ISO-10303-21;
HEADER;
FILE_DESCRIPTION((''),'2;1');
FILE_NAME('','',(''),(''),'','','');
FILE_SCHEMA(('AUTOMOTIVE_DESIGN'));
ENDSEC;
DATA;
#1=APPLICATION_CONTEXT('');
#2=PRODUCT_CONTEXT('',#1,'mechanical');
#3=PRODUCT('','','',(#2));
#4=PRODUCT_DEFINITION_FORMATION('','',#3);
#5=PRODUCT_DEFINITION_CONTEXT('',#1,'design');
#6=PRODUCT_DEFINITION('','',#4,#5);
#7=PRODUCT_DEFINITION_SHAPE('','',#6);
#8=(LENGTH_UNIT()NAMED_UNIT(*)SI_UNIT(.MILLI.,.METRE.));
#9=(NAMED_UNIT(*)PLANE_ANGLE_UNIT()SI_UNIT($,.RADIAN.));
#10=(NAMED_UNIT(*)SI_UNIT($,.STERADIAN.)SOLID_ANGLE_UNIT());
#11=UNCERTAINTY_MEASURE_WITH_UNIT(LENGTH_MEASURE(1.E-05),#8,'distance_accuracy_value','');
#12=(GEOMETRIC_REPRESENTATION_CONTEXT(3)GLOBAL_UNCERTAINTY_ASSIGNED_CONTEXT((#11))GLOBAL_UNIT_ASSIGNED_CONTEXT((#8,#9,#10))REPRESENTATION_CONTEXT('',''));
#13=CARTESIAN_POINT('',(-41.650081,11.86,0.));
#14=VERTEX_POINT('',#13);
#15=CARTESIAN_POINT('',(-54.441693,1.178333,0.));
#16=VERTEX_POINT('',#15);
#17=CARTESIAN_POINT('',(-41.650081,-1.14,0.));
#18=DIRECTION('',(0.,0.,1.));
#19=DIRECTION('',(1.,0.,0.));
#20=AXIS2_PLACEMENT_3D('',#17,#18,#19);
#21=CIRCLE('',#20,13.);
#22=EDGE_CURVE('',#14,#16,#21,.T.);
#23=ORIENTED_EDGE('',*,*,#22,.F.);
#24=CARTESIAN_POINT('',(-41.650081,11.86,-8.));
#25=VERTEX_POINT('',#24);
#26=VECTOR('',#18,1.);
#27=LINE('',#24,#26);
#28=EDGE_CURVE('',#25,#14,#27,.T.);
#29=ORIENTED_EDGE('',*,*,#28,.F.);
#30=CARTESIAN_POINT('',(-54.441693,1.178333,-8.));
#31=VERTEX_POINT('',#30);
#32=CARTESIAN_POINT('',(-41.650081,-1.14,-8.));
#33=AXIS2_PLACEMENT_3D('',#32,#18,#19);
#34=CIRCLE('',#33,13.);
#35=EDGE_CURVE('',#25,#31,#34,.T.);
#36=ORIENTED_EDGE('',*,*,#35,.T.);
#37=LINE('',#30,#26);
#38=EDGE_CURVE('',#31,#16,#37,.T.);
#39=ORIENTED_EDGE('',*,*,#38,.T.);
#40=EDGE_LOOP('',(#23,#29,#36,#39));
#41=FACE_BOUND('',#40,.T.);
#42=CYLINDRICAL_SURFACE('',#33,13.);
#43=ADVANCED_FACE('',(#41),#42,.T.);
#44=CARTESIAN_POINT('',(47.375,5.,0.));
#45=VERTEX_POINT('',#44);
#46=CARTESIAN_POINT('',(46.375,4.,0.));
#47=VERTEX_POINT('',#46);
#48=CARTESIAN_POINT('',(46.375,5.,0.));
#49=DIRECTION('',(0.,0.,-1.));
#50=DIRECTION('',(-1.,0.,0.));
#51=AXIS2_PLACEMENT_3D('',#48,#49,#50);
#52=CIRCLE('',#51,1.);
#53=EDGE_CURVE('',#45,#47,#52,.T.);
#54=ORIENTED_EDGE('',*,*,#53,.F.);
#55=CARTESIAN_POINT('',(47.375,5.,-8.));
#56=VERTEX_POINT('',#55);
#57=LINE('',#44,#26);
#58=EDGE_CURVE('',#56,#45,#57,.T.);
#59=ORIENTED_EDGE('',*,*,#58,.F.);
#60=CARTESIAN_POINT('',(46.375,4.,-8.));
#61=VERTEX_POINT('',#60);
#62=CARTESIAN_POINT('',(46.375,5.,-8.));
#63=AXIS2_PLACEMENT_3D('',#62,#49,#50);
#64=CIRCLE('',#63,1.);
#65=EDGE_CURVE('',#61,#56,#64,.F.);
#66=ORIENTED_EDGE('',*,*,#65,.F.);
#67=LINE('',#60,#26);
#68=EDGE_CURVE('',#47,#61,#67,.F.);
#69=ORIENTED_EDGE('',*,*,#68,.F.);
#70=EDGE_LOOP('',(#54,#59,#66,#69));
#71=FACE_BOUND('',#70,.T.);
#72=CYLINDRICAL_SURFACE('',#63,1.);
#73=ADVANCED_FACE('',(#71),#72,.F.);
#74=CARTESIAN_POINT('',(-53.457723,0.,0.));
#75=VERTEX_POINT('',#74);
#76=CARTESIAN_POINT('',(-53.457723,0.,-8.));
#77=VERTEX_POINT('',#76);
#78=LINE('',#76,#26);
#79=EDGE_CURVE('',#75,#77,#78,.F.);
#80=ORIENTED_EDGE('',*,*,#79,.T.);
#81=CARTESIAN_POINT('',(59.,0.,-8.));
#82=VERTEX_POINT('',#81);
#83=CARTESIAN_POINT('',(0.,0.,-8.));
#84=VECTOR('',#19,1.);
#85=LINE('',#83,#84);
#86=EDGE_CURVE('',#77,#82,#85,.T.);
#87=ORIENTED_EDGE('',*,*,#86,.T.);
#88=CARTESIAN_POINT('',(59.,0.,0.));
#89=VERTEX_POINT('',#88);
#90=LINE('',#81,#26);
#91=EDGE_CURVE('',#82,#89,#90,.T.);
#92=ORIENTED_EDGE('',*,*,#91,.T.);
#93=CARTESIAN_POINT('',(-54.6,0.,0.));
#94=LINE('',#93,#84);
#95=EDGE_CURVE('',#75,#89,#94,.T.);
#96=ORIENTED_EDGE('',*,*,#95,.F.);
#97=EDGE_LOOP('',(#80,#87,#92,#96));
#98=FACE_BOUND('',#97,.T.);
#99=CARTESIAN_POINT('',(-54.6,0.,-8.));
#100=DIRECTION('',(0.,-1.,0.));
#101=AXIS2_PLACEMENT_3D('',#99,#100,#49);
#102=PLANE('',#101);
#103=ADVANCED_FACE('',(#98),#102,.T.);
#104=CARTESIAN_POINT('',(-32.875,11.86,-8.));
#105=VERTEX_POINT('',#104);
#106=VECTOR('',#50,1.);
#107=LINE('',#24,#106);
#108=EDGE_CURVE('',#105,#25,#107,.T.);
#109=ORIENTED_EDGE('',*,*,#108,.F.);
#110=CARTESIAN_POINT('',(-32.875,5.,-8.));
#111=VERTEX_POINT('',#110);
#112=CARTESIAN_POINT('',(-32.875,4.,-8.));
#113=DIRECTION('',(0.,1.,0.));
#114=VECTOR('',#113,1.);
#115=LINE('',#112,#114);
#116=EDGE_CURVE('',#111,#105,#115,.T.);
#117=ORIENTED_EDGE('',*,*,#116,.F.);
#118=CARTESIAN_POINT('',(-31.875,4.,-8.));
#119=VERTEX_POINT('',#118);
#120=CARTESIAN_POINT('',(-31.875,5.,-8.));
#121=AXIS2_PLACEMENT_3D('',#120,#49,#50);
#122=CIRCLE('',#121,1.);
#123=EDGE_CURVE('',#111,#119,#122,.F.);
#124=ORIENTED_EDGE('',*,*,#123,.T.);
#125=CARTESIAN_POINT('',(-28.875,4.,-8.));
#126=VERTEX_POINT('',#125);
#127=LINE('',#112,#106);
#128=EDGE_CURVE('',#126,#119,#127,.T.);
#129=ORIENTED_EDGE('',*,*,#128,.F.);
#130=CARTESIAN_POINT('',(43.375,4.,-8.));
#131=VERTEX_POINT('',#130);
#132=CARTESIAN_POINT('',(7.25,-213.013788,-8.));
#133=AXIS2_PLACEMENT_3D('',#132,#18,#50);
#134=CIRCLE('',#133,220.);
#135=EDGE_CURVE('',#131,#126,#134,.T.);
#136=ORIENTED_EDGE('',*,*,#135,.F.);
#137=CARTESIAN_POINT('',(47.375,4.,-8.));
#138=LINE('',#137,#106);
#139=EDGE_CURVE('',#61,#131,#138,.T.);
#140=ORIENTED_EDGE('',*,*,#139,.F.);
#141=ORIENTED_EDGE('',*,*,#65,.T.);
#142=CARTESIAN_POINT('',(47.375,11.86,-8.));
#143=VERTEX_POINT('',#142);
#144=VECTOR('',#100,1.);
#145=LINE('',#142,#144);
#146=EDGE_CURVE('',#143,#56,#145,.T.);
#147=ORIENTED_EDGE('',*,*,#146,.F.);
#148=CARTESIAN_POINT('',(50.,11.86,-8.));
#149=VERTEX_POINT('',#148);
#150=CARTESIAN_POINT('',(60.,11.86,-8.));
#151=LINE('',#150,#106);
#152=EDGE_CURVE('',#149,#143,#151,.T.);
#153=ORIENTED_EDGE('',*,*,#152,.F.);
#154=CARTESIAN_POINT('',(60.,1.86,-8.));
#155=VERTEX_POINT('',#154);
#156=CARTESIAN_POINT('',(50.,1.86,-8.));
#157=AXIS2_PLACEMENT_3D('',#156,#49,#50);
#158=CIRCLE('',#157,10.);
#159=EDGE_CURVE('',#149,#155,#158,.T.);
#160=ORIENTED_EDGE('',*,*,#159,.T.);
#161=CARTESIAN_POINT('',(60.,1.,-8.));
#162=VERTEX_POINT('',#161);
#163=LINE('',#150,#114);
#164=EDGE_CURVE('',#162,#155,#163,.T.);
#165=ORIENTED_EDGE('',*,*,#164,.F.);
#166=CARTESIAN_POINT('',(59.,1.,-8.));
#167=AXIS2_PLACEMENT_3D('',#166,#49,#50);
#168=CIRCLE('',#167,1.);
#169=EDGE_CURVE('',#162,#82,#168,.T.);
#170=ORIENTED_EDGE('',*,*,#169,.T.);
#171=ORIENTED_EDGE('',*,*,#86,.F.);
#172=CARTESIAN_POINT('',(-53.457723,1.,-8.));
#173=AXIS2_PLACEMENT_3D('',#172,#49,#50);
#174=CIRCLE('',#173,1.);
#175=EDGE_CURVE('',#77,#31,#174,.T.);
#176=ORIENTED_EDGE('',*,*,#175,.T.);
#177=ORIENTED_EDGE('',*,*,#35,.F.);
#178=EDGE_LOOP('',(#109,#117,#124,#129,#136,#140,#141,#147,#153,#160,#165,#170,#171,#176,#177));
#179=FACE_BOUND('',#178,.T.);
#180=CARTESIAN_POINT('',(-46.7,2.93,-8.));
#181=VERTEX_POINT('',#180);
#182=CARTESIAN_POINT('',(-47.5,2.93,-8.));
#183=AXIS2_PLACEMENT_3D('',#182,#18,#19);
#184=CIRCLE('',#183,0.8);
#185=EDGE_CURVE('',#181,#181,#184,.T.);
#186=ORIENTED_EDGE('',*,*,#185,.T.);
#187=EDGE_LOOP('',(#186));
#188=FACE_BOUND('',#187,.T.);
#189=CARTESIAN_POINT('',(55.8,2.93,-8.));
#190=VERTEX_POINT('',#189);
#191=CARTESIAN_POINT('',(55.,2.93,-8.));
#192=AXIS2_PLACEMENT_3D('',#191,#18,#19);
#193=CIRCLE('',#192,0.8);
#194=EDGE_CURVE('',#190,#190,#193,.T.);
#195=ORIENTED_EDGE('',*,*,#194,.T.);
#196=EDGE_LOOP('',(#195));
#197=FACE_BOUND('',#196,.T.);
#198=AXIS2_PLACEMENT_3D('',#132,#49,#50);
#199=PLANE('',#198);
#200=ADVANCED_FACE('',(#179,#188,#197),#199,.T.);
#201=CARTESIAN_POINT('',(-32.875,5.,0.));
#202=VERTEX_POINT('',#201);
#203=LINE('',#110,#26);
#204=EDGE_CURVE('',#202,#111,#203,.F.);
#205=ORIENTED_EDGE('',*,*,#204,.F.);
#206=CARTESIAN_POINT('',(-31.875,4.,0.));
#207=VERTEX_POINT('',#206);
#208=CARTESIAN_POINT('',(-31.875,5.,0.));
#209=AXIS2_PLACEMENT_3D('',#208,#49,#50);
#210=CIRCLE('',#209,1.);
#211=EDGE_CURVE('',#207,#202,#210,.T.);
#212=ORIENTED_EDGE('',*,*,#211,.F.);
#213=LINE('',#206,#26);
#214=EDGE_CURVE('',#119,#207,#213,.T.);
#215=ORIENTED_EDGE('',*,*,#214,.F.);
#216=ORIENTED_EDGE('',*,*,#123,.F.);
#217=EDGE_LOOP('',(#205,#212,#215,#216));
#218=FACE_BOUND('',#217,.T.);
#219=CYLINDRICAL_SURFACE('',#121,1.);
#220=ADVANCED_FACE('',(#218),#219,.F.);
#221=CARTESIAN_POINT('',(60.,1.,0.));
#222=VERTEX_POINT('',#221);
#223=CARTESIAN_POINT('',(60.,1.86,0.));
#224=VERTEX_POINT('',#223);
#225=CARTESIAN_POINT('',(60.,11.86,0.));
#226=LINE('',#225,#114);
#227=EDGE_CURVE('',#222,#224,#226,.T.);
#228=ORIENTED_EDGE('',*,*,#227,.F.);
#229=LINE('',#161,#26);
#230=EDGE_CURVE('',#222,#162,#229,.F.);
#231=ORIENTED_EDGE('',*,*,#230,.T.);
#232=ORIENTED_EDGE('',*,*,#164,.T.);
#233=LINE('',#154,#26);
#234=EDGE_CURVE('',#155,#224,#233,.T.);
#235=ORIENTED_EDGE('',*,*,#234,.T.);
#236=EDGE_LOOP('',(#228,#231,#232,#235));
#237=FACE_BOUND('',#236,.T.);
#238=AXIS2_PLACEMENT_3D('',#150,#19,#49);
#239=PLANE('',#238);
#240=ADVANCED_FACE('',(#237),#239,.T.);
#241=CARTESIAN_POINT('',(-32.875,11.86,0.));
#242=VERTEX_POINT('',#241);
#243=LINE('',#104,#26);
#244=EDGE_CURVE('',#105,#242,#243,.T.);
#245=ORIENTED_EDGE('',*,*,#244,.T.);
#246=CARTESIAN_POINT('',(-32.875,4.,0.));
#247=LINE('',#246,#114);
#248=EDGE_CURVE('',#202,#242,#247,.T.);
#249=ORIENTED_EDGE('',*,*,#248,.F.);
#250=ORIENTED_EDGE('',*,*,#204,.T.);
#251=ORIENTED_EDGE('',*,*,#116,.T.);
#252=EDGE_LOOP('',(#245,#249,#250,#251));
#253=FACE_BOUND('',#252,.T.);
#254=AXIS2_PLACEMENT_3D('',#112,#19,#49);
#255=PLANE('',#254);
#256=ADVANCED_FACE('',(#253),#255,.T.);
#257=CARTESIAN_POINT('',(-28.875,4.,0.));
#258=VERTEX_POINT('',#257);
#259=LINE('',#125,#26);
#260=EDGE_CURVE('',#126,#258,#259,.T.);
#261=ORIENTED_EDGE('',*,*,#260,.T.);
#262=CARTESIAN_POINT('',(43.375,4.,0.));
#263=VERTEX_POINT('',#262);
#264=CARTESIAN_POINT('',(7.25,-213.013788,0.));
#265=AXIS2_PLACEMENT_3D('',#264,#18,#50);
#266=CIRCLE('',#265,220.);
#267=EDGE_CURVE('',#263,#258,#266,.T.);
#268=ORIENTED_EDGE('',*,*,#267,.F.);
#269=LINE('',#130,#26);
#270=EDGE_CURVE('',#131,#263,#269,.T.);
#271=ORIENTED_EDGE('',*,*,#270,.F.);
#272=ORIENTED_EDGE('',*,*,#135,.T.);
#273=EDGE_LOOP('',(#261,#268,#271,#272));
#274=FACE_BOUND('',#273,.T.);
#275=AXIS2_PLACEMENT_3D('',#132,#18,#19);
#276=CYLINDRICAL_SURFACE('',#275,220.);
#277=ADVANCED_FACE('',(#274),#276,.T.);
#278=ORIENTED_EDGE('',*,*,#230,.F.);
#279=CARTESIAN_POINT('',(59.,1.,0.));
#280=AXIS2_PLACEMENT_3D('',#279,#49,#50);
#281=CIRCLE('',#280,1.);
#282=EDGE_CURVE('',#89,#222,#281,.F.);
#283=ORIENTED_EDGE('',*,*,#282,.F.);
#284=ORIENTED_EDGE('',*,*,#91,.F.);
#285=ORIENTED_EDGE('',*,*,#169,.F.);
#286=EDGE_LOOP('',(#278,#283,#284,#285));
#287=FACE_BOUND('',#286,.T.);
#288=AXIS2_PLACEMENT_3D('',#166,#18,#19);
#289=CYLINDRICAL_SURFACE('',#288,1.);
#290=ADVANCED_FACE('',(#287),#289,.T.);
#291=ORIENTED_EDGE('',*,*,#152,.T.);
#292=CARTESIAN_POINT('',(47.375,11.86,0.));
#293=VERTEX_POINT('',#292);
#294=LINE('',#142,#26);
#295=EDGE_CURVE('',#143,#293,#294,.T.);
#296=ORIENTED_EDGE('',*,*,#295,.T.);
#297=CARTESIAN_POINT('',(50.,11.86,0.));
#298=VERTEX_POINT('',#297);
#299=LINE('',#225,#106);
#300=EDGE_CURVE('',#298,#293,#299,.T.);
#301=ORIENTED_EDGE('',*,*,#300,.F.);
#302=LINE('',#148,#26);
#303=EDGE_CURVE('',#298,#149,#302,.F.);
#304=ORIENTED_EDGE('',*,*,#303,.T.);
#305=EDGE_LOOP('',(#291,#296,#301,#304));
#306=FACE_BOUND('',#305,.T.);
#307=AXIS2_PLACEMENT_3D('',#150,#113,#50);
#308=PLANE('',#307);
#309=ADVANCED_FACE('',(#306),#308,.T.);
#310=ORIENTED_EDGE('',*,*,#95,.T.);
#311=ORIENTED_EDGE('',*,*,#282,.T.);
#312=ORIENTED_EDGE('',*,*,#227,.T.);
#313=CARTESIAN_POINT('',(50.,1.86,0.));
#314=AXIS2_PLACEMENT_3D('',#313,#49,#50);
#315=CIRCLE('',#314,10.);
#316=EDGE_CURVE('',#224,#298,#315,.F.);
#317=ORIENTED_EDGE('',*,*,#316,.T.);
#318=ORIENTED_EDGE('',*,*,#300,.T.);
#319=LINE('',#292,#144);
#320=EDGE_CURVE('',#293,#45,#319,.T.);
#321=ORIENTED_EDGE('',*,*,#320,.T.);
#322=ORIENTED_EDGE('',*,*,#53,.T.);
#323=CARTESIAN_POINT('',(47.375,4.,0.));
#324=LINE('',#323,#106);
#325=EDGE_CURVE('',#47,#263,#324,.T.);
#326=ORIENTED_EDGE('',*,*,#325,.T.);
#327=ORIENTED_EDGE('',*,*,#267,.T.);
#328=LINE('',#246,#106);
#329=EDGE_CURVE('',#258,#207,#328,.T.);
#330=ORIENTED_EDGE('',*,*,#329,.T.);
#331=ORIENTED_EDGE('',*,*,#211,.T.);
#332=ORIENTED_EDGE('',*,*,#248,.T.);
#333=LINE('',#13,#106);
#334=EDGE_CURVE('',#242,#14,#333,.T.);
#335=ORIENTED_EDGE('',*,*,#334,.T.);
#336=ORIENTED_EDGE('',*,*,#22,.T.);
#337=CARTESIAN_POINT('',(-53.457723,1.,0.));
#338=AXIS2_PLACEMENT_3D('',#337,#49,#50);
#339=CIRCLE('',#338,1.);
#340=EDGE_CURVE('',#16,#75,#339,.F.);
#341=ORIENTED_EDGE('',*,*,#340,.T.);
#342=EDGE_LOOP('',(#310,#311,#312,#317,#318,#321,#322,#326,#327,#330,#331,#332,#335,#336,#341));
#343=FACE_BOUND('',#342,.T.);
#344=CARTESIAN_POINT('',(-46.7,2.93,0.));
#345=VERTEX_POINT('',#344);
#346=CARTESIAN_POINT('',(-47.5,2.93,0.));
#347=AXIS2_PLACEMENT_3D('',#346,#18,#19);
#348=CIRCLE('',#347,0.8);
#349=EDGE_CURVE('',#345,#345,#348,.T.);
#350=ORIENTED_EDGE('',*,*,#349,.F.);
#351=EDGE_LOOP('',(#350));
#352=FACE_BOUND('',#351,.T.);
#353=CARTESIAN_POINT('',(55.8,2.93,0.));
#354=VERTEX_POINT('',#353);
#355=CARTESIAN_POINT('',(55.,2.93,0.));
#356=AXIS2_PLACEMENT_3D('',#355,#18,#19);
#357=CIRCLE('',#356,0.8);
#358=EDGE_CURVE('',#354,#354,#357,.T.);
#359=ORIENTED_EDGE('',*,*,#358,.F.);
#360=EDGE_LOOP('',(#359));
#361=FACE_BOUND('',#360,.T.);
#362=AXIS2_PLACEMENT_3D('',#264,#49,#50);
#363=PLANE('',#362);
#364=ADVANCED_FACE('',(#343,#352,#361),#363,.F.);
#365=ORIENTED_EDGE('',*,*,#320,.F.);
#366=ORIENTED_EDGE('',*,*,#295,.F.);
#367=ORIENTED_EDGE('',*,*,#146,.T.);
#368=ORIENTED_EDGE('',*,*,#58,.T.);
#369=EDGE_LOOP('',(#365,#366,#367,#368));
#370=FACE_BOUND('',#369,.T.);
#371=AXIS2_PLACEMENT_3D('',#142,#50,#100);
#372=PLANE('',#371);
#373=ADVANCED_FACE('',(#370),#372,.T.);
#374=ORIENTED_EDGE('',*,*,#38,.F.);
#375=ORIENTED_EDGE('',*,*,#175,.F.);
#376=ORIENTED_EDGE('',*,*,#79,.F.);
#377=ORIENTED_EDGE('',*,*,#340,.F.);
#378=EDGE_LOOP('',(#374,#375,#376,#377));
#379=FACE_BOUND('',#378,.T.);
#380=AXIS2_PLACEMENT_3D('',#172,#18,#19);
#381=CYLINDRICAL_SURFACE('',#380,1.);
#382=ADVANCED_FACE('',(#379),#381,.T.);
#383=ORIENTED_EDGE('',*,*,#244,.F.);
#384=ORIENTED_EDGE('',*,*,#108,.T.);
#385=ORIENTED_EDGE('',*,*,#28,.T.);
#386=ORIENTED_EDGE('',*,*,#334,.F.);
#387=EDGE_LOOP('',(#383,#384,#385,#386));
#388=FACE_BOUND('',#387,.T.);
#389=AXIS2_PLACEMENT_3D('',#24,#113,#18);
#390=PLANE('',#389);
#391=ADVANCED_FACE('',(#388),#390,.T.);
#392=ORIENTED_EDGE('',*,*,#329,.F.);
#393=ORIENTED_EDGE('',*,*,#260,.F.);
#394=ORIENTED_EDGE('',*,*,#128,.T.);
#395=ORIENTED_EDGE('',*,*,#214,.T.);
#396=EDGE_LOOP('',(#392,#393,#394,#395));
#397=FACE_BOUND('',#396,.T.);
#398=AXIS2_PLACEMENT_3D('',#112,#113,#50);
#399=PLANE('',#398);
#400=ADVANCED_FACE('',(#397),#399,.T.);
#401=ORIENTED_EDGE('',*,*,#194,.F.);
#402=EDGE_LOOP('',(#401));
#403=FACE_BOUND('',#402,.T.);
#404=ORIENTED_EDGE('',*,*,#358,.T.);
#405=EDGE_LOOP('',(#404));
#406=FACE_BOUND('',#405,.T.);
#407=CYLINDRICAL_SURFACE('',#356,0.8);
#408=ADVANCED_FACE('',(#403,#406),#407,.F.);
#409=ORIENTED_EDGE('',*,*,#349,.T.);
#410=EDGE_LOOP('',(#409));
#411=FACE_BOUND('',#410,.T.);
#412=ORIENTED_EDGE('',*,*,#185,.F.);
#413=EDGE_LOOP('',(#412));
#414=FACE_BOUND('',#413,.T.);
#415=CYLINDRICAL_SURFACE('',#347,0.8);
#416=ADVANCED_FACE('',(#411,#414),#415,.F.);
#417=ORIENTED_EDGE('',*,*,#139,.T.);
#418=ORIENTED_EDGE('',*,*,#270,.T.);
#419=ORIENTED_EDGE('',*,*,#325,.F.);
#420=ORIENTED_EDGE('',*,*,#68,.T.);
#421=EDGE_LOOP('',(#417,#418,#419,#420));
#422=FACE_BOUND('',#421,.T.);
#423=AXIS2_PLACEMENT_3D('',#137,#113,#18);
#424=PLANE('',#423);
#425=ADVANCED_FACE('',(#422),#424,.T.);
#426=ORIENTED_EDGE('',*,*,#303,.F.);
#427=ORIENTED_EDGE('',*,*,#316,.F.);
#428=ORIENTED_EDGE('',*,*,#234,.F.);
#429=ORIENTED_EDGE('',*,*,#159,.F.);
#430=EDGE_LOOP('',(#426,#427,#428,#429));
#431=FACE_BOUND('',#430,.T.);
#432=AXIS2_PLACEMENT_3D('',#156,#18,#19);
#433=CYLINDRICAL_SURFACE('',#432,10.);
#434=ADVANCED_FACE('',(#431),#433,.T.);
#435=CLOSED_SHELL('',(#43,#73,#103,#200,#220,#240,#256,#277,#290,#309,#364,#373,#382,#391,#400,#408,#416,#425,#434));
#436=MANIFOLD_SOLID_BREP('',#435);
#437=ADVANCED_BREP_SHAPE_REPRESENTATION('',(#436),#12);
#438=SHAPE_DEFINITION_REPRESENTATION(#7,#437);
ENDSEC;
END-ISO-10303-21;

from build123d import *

# Parameters (mm, degrees)
MODEL_R            = 0.5
EXTRUDE_1077_DEPTH = 8
FILLET_1_R         = 10
FILLET_2_R         = 1
HOLE_WIZARD_M2_D   = 1.6


with BuildPart() as part:
    # Model → Extrude 1077 (new body)
    with BuildSketch(Plane.XY):
        with BuildLine():
            Line((-32.875, 4), (-32.875, 11.86))
            Line((-32.875, 11.86), (-41.650081081, 11.86))
            ThreePointArc((-41.650081081, 11.86), (-50.430172197, 8.446970324), (-54.6, 0))
            Line((-54.6, 0), (0, 0))
            Line((0, 0), (60, 0))
            Line((60, 0), (60, 11.86))
            Line((60, 11.86), (47.375, 11.86))
            Line((47.375, 11.86), (47.375, 4))
            Line((47.375, 4), (43.375, 4))
            ThreePointArc((43.375, 4), (7.25, 6.986211556), (-28.875, 4))
            Line((-28.875, 4), (-32.875, 4))
        make_face()
        with Locations((-47.5, 2.93)):
            Circle(MODEL_R, mode=Mode.SUBTRACT)
        with Locations((55, 2.93)):
            Circle(MODEL_R, mode=Mode.SUBTRACT)
    extrude(amount=-EXTRUDE_1077_DEPTH)

    # Скругление1
    fillet_1_edges = [part.edges().sort_by_distance(p)[0] for p in [
        (60, 11.86, -4),
    ]]
    fillet(fillet_1_edges, radius=FILLET_1_R)

    # Скругление2
    fillet_2_edges = [part.edges().sort_by_distance(p)[0] for p in [
        (-54.6, 0, -4),
        (-32.875, 4, -4),
        (47.375, 4, -4),
        (60, 0, -4),
    ]]
    fillet(fillet_2_edges, radius=FILLET_2_R)

    # Крепление M2 (through all)
    with Locations(Plane.XY):
        with Locations((-47.5, 2.93), (55, 2.93)):
            Hole(HOLE_WIZARD_M2_D / 2)


solid = part.part
